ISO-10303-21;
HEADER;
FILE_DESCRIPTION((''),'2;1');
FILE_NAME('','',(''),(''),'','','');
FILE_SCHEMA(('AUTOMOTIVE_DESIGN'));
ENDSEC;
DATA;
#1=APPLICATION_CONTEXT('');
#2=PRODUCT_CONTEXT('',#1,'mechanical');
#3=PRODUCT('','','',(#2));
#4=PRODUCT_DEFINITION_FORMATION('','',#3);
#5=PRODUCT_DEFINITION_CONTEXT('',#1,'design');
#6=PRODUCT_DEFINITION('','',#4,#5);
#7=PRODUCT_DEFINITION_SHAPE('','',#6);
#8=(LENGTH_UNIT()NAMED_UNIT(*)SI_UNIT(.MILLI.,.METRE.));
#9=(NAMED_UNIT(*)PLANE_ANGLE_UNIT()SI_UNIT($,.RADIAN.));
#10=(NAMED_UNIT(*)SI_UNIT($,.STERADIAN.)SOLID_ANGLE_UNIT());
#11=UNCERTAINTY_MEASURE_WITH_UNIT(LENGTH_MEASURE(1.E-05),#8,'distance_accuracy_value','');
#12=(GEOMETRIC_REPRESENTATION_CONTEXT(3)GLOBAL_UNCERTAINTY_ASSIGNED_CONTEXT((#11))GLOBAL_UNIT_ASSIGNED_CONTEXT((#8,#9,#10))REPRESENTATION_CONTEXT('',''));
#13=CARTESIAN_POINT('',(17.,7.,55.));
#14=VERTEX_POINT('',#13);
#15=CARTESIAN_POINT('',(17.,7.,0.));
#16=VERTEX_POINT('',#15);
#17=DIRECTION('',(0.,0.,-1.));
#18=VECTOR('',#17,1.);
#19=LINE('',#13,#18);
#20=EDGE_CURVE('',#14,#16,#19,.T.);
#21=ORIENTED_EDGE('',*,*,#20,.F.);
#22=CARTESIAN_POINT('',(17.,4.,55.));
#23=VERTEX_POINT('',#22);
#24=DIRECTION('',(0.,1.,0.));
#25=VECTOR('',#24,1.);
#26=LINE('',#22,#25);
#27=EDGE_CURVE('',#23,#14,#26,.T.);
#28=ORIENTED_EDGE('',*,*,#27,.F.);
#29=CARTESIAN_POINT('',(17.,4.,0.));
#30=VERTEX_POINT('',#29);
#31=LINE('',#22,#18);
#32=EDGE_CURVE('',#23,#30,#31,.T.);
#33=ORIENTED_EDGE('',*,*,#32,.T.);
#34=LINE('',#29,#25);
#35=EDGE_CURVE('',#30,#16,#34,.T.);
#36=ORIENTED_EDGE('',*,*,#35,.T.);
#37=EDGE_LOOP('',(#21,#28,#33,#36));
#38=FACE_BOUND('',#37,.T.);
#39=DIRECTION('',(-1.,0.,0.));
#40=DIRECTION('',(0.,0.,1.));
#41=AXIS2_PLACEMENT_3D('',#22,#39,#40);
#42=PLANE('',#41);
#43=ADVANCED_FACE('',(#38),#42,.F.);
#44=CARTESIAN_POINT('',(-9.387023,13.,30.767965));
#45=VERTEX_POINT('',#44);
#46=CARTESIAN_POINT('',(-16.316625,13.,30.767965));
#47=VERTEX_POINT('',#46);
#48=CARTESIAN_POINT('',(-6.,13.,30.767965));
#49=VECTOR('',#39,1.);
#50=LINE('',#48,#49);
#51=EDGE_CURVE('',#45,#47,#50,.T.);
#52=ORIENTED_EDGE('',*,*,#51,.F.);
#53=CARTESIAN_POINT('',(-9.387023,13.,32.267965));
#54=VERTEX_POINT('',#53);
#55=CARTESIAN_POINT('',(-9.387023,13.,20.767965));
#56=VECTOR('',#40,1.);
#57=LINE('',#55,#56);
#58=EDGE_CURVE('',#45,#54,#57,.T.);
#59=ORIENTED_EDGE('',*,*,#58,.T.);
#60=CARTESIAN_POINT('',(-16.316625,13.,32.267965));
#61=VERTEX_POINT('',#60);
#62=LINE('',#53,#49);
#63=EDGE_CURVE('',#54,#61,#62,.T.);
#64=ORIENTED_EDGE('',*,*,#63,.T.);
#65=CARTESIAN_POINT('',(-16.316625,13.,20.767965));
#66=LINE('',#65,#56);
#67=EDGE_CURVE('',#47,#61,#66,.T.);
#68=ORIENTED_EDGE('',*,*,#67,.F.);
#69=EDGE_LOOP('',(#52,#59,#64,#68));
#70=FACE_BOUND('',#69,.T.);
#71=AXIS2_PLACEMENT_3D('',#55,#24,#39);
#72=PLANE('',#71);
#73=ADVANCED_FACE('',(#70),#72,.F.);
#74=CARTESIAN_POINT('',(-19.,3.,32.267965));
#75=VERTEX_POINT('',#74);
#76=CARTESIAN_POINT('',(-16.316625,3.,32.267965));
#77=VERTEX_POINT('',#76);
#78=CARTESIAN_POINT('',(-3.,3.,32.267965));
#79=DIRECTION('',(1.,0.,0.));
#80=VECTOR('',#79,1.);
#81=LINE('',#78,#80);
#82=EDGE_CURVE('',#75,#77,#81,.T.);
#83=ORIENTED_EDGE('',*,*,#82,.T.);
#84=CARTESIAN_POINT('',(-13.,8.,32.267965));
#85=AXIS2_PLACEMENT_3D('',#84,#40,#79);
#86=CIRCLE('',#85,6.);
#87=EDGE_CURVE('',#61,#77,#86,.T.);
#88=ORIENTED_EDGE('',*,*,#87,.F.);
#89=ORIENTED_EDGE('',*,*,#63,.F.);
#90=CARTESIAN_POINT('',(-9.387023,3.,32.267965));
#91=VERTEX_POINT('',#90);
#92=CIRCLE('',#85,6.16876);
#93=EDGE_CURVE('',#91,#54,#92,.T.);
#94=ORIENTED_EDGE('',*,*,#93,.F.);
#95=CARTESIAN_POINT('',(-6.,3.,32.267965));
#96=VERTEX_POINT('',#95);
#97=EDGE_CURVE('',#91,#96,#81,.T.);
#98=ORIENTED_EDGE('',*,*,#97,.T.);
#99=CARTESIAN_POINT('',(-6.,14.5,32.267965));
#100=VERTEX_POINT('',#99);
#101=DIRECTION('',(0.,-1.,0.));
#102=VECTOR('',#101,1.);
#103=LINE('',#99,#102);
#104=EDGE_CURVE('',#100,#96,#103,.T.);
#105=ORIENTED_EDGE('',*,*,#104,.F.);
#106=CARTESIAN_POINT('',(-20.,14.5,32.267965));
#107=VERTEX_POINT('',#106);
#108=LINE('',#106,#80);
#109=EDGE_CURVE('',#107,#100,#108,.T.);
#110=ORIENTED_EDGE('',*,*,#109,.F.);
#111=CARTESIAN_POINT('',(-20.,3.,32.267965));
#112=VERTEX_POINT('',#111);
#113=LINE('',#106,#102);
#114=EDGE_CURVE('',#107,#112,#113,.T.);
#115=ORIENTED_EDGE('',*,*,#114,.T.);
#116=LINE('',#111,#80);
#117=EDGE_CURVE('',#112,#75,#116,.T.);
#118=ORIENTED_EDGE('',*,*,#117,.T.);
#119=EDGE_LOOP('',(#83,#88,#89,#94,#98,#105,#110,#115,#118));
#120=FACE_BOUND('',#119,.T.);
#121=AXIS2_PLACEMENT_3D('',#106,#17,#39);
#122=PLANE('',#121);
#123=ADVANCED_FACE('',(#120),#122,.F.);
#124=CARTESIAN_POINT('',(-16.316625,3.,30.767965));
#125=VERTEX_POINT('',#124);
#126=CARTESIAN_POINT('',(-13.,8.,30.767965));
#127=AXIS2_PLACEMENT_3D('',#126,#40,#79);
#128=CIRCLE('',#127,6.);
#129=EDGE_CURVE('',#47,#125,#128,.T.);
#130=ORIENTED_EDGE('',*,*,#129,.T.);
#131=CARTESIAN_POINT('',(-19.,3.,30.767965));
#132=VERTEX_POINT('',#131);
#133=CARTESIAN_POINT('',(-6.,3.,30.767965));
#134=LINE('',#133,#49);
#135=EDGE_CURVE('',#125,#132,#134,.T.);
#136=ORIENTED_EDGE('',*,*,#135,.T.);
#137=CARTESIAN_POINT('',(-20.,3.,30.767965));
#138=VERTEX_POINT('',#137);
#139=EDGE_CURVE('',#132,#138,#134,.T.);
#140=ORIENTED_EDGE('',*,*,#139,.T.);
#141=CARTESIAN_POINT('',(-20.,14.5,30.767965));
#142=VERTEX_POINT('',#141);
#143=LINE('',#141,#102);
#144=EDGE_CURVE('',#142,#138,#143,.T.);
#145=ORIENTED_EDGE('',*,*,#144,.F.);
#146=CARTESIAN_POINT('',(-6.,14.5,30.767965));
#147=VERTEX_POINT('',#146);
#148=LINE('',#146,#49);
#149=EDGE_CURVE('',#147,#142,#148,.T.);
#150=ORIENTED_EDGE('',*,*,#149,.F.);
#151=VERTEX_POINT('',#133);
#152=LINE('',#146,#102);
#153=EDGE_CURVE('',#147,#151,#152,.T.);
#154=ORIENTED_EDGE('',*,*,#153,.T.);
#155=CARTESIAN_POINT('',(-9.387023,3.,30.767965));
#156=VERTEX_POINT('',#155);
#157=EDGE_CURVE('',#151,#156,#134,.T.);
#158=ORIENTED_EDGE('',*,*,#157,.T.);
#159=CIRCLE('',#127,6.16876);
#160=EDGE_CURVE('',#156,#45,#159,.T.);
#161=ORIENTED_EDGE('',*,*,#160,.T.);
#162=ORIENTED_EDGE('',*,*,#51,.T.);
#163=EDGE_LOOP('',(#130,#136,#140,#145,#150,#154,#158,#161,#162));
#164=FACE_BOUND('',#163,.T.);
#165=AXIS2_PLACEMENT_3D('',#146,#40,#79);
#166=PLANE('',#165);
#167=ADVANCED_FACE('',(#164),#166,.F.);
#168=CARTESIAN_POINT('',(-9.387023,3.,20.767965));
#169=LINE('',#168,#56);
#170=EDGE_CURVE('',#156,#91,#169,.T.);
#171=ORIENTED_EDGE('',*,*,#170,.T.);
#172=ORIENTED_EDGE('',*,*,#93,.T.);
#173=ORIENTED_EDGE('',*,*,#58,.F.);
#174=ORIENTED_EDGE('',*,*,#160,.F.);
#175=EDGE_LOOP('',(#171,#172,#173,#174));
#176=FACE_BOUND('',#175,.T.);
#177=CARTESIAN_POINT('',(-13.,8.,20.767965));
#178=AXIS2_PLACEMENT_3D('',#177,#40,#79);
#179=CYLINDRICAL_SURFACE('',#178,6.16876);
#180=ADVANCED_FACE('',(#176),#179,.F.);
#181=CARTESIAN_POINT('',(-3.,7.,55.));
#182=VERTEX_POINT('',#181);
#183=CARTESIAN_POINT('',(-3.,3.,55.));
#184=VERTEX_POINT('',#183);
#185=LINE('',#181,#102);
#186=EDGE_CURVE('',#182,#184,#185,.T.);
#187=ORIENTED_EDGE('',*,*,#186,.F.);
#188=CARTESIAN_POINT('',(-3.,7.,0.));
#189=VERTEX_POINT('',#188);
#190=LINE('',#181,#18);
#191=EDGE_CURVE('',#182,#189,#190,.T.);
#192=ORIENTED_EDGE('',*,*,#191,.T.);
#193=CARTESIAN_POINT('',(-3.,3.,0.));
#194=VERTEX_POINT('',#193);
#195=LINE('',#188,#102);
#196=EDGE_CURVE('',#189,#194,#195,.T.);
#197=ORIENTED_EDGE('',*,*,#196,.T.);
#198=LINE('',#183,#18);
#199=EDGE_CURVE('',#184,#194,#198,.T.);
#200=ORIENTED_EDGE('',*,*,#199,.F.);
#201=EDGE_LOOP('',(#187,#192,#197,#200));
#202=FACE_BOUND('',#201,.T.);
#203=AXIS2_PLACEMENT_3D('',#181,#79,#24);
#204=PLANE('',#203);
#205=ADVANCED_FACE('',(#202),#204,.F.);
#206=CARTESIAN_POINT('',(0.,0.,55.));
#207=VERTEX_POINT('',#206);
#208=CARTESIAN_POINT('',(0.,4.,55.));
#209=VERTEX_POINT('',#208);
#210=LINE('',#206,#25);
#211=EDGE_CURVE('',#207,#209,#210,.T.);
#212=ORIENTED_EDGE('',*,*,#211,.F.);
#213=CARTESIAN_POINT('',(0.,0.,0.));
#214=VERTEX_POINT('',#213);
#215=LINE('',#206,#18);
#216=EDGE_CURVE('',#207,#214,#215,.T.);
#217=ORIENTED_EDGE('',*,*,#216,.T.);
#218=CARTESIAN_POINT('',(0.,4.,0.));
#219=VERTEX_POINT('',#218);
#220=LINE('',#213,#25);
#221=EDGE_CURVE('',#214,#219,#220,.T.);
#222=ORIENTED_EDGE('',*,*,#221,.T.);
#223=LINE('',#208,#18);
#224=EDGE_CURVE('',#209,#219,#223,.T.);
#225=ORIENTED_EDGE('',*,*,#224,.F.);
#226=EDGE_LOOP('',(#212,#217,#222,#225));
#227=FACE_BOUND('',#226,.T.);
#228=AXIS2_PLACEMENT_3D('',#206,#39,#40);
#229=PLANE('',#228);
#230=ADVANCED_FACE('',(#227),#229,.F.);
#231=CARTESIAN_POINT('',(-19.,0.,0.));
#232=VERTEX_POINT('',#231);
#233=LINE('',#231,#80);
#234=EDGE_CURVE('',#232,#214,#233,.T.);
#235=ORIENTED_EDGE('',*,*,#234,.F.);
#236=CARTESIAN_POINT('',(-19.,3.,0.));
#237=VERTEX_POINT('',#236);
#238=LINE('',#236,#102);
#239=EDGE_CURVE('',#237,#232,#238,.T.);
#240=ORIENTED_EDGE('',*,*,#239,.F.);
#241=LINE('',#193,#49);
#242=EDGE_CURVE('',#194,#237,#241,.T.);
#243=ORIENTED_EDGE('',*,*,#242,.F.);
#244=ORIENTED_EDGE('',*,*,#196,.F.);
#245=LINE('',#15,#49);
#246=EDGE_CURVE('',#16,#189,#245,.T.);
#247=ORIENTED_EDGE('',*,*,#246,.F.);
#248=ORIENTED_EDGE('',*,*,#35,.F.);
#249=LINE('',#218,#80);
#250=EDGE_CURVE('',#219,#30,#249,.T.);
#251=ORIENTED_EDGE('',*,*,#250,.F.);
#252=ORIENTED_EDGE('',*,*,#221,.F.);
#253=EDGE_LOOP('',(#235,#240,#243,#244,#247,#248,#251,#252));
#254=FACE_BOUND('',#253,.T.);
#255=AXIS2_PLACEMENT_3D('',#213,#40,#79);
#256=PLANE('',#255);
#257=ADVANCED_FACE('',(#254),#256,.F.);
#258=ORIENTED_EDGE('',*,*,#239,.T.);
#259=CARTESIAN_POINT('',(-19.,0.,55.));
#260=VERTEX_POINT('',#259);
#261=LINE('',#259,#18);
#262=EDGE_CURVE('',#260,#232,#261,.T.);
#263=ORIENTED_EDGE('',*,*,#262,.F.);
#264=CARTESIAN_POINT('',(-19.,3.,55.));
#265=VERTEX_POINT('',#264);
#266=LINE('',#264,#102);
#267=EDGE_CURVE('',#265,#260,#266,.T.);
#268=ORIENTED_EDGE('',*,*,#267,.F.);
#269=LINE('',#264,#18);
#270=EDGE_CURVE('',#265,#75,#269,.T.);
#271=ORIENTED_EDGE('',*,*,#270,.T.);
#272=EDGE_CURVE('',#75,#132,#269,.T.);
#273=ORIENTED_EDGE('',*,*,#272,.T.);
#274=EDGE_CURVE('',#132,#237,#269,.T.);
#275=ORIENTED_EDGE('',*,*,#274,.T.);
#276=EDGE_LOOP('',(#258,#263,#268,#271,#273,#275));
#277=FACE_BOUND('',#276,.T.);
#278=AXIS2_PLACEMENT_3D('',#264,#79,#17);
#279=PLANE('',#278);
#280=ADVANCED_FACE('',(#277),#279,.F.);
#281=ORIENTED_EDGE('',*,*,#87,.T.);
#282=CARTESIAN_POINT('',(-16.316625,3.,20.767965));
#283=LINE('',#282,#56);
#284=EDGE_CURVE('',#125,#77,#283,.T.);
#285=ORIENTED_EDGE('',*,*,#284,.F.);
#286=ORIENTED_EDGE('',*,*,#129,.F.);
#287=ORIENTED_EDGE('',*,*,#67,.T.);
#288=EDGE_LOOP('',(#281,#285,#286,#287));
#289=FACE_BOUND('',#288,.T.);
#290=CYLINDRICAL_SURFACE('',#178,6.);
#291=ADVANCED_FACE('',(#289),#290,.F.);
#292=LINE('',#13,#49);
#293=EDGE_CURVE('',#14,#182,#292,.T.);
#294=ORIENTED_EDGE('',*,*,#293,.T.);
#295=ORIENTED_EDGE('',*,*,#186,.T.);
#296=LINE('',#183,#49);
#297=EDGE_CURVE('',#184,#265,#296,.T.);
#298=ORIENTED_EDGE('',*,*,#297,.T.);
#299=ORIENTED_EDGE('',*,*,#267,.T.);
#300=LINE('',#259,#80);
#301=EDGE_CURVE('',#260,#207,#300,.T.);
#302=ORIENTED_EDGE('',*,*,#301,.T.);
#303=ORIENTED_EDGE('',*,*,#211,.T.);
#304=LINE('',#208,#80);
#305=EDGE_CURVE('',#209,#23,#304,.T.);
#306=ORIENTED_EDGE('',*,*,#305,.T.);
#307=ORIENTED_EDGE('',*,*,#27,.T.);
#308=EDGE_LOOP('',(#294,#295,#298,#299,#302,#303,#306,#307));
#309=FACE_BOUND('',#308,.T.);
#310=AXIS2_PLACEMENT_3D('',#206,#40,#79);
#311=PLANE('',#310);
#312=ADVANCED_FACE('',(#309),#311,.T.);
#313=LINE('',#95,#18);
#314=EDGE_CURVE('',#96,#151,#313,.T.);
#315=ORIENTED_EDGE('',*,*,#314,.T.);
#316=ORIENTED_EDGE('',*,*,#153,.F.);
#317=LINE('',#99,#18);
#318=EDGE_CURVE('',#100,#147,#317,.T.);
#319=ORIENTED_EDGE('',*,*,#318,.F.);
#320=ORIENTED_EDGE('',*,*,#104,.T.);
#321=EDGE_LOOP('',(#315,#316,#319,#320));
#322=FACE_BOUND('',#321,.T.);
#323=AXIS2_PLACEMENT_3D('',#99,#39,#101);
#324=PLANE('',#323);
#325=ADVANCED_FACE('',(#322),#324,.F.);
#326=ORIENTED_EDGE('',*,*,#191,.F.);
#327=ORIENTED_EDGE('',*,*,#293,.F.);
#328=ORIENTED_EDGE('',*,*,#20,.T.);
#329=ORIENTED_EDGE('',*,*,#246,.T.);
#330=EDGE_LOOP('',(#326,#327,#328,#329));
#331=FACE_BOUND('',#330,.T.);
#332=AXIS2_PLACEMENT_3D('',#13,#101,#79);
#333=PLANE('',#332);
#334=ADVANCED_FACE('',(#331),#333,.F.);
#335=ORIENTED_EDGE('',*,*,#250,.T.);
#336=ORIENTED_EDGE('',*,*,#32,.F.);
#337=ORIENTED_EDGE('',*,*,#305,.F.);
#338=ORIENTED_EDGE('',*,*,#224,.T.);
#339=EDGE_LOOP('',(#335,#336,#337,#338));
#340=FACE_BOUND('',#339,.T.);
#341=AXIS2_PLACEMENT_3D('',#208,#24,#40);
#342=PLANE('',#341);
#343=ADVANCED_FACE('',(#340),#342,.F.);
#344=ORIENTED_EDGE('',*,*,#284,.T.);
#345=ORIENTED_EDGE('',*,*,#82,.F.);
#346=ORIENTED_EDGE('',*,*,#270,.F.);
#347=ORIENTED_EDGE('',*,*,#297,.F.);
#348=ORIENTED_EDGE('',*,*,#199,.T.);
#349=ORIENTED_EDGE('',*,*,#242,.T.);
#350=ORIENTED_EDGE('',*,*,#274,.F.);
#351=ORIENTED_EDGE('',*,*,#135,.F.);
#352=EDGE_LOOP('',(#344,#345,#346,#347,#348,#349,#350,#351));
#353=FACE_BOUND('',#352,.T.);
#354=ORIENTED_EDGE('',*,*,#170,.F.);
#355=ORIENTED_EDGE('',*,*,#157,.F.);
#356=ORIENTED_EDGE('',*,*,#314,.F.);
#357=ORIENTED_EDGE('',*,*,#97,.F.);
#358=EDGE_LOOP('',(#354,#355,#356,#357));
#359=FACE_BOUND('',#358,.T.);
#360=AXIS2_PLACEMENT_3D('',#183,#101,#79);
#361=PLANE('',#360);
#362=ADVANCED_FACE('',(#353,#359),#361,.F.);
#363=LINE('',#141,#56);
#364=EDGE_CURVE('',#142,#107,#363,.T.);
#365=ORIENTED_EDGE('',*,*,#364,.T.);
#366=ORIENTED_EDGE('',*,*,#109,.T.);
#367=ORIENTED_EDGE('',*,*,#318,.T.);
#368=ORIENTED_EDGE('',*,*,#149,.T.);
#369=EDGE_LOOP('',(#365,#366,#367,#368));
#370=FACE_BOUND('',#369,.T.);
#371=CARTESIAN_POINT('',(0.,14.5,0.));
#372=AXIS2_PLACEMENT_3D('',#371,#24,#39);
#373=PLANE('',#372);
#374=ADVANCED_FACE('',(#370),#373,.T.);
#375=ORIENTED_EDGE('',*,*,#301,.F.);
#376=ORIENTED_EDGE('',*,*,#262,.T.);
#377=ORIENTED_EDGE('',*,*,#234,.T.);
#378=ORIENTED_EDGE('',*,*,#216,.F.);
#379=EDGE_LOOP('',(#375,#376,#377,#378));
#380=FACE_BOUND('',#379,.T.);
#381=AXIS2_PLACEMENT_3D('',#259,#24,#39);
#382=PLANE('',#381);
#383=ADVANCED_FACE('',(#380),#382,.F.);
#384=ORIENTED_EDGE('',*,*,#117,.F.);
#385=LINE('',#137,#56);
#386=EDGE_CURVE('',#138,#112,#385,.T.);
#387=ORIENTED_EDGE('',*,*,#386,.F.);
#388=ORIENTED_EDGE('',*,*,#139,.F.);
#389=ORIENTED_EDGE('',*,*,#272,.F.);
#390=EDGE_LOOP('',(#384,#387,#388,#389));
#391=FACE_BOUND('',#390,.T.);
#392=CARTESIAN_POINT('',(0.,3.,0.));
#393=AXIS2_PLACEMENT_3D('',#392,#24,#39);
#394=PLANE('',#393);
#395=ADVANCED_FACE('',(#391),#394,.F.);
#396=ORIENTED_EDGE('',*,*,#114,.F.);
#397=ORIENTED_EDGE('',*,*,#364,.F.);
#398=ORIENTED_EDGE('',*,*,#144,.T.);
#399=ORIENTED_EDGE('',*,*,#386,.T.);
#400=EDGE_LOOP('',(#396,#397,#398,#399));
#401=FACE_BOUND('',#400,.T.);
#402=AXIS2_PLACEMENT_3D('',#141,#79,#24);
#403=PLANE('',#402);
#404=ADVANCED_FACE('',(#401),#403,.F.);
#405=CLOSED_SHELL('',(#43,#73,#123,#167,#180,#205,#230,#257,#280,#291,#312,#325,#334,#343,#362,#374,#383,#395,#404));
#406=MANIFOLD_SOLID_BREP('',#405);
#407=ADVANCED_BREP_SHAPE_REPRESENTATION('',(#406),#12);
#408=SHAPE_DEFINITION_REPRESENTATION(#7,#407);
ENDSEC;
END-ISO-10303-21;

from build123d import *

# Parameters (mm, degrees)
AUFSATZ_LINEAR_AUSTRAGEN1_DEPTH = 55
SKIZZE4_W                       = 14
SKIZZE4_H                       = 1.5
AUFSATZ_LINEAR_AUSTRAGEN2_DEPTH = 11.5
SCHNITT_LINEAR_AUSTRAGEN1_DEPTH = 11.5


with BuildPart() as part:
    # Skizze1 → Aufsatz-Linear austragen1 (new body)
    with BuildSketch(Plane.XY):
        Polygon((-19, 0), (0, 0), (0, 4), (17, 4), (17, 7), (-3, 7), (-3, 3), (-19, 3), align=None)
    extrude(amount=AUFSATZ_LINEAR_AUSTRAGEN1_DEPTH)

    # Skizze4 → Aufsatz-Linear austragen2 (add)
    with BuildSketch(Plane(origin=(0, 3, 0), x_dir=(1, 0, 0), z_dir=(0, 1, 0))):
        with Locations((-13, -31.517965139)):
            Rectangle(SKIZZE4_W, SKIZZE4_H)
    extrude(amount=AUFSATZ_LINEAR_AUSTRAGEN2_DEPTH)

    # Skizze7 → Schnitt-Linear austragen1 (cut)
    with BuildSketch(Plane.XY.offset(32.267965139)):
        with BuildLine():
            Line((-9.38702331, 3), (-16.31662479, 3))
            ThreePointArc((-16.31662479, 3), (-19, 8), (-16.31662479, 13))
            Line((-16.31662479, 13), (-9.38702331, 13))
            ThreePointArc((-9.38702331, 13), (-6.831239949, 8), (-9.38702331, 3))
        make_face()
    extrude(amount=-SCHNITT_LINEAR_AUSTRAGEN1_DEPTH, mode=Mode.SUBTRACT)


solid = part.part
